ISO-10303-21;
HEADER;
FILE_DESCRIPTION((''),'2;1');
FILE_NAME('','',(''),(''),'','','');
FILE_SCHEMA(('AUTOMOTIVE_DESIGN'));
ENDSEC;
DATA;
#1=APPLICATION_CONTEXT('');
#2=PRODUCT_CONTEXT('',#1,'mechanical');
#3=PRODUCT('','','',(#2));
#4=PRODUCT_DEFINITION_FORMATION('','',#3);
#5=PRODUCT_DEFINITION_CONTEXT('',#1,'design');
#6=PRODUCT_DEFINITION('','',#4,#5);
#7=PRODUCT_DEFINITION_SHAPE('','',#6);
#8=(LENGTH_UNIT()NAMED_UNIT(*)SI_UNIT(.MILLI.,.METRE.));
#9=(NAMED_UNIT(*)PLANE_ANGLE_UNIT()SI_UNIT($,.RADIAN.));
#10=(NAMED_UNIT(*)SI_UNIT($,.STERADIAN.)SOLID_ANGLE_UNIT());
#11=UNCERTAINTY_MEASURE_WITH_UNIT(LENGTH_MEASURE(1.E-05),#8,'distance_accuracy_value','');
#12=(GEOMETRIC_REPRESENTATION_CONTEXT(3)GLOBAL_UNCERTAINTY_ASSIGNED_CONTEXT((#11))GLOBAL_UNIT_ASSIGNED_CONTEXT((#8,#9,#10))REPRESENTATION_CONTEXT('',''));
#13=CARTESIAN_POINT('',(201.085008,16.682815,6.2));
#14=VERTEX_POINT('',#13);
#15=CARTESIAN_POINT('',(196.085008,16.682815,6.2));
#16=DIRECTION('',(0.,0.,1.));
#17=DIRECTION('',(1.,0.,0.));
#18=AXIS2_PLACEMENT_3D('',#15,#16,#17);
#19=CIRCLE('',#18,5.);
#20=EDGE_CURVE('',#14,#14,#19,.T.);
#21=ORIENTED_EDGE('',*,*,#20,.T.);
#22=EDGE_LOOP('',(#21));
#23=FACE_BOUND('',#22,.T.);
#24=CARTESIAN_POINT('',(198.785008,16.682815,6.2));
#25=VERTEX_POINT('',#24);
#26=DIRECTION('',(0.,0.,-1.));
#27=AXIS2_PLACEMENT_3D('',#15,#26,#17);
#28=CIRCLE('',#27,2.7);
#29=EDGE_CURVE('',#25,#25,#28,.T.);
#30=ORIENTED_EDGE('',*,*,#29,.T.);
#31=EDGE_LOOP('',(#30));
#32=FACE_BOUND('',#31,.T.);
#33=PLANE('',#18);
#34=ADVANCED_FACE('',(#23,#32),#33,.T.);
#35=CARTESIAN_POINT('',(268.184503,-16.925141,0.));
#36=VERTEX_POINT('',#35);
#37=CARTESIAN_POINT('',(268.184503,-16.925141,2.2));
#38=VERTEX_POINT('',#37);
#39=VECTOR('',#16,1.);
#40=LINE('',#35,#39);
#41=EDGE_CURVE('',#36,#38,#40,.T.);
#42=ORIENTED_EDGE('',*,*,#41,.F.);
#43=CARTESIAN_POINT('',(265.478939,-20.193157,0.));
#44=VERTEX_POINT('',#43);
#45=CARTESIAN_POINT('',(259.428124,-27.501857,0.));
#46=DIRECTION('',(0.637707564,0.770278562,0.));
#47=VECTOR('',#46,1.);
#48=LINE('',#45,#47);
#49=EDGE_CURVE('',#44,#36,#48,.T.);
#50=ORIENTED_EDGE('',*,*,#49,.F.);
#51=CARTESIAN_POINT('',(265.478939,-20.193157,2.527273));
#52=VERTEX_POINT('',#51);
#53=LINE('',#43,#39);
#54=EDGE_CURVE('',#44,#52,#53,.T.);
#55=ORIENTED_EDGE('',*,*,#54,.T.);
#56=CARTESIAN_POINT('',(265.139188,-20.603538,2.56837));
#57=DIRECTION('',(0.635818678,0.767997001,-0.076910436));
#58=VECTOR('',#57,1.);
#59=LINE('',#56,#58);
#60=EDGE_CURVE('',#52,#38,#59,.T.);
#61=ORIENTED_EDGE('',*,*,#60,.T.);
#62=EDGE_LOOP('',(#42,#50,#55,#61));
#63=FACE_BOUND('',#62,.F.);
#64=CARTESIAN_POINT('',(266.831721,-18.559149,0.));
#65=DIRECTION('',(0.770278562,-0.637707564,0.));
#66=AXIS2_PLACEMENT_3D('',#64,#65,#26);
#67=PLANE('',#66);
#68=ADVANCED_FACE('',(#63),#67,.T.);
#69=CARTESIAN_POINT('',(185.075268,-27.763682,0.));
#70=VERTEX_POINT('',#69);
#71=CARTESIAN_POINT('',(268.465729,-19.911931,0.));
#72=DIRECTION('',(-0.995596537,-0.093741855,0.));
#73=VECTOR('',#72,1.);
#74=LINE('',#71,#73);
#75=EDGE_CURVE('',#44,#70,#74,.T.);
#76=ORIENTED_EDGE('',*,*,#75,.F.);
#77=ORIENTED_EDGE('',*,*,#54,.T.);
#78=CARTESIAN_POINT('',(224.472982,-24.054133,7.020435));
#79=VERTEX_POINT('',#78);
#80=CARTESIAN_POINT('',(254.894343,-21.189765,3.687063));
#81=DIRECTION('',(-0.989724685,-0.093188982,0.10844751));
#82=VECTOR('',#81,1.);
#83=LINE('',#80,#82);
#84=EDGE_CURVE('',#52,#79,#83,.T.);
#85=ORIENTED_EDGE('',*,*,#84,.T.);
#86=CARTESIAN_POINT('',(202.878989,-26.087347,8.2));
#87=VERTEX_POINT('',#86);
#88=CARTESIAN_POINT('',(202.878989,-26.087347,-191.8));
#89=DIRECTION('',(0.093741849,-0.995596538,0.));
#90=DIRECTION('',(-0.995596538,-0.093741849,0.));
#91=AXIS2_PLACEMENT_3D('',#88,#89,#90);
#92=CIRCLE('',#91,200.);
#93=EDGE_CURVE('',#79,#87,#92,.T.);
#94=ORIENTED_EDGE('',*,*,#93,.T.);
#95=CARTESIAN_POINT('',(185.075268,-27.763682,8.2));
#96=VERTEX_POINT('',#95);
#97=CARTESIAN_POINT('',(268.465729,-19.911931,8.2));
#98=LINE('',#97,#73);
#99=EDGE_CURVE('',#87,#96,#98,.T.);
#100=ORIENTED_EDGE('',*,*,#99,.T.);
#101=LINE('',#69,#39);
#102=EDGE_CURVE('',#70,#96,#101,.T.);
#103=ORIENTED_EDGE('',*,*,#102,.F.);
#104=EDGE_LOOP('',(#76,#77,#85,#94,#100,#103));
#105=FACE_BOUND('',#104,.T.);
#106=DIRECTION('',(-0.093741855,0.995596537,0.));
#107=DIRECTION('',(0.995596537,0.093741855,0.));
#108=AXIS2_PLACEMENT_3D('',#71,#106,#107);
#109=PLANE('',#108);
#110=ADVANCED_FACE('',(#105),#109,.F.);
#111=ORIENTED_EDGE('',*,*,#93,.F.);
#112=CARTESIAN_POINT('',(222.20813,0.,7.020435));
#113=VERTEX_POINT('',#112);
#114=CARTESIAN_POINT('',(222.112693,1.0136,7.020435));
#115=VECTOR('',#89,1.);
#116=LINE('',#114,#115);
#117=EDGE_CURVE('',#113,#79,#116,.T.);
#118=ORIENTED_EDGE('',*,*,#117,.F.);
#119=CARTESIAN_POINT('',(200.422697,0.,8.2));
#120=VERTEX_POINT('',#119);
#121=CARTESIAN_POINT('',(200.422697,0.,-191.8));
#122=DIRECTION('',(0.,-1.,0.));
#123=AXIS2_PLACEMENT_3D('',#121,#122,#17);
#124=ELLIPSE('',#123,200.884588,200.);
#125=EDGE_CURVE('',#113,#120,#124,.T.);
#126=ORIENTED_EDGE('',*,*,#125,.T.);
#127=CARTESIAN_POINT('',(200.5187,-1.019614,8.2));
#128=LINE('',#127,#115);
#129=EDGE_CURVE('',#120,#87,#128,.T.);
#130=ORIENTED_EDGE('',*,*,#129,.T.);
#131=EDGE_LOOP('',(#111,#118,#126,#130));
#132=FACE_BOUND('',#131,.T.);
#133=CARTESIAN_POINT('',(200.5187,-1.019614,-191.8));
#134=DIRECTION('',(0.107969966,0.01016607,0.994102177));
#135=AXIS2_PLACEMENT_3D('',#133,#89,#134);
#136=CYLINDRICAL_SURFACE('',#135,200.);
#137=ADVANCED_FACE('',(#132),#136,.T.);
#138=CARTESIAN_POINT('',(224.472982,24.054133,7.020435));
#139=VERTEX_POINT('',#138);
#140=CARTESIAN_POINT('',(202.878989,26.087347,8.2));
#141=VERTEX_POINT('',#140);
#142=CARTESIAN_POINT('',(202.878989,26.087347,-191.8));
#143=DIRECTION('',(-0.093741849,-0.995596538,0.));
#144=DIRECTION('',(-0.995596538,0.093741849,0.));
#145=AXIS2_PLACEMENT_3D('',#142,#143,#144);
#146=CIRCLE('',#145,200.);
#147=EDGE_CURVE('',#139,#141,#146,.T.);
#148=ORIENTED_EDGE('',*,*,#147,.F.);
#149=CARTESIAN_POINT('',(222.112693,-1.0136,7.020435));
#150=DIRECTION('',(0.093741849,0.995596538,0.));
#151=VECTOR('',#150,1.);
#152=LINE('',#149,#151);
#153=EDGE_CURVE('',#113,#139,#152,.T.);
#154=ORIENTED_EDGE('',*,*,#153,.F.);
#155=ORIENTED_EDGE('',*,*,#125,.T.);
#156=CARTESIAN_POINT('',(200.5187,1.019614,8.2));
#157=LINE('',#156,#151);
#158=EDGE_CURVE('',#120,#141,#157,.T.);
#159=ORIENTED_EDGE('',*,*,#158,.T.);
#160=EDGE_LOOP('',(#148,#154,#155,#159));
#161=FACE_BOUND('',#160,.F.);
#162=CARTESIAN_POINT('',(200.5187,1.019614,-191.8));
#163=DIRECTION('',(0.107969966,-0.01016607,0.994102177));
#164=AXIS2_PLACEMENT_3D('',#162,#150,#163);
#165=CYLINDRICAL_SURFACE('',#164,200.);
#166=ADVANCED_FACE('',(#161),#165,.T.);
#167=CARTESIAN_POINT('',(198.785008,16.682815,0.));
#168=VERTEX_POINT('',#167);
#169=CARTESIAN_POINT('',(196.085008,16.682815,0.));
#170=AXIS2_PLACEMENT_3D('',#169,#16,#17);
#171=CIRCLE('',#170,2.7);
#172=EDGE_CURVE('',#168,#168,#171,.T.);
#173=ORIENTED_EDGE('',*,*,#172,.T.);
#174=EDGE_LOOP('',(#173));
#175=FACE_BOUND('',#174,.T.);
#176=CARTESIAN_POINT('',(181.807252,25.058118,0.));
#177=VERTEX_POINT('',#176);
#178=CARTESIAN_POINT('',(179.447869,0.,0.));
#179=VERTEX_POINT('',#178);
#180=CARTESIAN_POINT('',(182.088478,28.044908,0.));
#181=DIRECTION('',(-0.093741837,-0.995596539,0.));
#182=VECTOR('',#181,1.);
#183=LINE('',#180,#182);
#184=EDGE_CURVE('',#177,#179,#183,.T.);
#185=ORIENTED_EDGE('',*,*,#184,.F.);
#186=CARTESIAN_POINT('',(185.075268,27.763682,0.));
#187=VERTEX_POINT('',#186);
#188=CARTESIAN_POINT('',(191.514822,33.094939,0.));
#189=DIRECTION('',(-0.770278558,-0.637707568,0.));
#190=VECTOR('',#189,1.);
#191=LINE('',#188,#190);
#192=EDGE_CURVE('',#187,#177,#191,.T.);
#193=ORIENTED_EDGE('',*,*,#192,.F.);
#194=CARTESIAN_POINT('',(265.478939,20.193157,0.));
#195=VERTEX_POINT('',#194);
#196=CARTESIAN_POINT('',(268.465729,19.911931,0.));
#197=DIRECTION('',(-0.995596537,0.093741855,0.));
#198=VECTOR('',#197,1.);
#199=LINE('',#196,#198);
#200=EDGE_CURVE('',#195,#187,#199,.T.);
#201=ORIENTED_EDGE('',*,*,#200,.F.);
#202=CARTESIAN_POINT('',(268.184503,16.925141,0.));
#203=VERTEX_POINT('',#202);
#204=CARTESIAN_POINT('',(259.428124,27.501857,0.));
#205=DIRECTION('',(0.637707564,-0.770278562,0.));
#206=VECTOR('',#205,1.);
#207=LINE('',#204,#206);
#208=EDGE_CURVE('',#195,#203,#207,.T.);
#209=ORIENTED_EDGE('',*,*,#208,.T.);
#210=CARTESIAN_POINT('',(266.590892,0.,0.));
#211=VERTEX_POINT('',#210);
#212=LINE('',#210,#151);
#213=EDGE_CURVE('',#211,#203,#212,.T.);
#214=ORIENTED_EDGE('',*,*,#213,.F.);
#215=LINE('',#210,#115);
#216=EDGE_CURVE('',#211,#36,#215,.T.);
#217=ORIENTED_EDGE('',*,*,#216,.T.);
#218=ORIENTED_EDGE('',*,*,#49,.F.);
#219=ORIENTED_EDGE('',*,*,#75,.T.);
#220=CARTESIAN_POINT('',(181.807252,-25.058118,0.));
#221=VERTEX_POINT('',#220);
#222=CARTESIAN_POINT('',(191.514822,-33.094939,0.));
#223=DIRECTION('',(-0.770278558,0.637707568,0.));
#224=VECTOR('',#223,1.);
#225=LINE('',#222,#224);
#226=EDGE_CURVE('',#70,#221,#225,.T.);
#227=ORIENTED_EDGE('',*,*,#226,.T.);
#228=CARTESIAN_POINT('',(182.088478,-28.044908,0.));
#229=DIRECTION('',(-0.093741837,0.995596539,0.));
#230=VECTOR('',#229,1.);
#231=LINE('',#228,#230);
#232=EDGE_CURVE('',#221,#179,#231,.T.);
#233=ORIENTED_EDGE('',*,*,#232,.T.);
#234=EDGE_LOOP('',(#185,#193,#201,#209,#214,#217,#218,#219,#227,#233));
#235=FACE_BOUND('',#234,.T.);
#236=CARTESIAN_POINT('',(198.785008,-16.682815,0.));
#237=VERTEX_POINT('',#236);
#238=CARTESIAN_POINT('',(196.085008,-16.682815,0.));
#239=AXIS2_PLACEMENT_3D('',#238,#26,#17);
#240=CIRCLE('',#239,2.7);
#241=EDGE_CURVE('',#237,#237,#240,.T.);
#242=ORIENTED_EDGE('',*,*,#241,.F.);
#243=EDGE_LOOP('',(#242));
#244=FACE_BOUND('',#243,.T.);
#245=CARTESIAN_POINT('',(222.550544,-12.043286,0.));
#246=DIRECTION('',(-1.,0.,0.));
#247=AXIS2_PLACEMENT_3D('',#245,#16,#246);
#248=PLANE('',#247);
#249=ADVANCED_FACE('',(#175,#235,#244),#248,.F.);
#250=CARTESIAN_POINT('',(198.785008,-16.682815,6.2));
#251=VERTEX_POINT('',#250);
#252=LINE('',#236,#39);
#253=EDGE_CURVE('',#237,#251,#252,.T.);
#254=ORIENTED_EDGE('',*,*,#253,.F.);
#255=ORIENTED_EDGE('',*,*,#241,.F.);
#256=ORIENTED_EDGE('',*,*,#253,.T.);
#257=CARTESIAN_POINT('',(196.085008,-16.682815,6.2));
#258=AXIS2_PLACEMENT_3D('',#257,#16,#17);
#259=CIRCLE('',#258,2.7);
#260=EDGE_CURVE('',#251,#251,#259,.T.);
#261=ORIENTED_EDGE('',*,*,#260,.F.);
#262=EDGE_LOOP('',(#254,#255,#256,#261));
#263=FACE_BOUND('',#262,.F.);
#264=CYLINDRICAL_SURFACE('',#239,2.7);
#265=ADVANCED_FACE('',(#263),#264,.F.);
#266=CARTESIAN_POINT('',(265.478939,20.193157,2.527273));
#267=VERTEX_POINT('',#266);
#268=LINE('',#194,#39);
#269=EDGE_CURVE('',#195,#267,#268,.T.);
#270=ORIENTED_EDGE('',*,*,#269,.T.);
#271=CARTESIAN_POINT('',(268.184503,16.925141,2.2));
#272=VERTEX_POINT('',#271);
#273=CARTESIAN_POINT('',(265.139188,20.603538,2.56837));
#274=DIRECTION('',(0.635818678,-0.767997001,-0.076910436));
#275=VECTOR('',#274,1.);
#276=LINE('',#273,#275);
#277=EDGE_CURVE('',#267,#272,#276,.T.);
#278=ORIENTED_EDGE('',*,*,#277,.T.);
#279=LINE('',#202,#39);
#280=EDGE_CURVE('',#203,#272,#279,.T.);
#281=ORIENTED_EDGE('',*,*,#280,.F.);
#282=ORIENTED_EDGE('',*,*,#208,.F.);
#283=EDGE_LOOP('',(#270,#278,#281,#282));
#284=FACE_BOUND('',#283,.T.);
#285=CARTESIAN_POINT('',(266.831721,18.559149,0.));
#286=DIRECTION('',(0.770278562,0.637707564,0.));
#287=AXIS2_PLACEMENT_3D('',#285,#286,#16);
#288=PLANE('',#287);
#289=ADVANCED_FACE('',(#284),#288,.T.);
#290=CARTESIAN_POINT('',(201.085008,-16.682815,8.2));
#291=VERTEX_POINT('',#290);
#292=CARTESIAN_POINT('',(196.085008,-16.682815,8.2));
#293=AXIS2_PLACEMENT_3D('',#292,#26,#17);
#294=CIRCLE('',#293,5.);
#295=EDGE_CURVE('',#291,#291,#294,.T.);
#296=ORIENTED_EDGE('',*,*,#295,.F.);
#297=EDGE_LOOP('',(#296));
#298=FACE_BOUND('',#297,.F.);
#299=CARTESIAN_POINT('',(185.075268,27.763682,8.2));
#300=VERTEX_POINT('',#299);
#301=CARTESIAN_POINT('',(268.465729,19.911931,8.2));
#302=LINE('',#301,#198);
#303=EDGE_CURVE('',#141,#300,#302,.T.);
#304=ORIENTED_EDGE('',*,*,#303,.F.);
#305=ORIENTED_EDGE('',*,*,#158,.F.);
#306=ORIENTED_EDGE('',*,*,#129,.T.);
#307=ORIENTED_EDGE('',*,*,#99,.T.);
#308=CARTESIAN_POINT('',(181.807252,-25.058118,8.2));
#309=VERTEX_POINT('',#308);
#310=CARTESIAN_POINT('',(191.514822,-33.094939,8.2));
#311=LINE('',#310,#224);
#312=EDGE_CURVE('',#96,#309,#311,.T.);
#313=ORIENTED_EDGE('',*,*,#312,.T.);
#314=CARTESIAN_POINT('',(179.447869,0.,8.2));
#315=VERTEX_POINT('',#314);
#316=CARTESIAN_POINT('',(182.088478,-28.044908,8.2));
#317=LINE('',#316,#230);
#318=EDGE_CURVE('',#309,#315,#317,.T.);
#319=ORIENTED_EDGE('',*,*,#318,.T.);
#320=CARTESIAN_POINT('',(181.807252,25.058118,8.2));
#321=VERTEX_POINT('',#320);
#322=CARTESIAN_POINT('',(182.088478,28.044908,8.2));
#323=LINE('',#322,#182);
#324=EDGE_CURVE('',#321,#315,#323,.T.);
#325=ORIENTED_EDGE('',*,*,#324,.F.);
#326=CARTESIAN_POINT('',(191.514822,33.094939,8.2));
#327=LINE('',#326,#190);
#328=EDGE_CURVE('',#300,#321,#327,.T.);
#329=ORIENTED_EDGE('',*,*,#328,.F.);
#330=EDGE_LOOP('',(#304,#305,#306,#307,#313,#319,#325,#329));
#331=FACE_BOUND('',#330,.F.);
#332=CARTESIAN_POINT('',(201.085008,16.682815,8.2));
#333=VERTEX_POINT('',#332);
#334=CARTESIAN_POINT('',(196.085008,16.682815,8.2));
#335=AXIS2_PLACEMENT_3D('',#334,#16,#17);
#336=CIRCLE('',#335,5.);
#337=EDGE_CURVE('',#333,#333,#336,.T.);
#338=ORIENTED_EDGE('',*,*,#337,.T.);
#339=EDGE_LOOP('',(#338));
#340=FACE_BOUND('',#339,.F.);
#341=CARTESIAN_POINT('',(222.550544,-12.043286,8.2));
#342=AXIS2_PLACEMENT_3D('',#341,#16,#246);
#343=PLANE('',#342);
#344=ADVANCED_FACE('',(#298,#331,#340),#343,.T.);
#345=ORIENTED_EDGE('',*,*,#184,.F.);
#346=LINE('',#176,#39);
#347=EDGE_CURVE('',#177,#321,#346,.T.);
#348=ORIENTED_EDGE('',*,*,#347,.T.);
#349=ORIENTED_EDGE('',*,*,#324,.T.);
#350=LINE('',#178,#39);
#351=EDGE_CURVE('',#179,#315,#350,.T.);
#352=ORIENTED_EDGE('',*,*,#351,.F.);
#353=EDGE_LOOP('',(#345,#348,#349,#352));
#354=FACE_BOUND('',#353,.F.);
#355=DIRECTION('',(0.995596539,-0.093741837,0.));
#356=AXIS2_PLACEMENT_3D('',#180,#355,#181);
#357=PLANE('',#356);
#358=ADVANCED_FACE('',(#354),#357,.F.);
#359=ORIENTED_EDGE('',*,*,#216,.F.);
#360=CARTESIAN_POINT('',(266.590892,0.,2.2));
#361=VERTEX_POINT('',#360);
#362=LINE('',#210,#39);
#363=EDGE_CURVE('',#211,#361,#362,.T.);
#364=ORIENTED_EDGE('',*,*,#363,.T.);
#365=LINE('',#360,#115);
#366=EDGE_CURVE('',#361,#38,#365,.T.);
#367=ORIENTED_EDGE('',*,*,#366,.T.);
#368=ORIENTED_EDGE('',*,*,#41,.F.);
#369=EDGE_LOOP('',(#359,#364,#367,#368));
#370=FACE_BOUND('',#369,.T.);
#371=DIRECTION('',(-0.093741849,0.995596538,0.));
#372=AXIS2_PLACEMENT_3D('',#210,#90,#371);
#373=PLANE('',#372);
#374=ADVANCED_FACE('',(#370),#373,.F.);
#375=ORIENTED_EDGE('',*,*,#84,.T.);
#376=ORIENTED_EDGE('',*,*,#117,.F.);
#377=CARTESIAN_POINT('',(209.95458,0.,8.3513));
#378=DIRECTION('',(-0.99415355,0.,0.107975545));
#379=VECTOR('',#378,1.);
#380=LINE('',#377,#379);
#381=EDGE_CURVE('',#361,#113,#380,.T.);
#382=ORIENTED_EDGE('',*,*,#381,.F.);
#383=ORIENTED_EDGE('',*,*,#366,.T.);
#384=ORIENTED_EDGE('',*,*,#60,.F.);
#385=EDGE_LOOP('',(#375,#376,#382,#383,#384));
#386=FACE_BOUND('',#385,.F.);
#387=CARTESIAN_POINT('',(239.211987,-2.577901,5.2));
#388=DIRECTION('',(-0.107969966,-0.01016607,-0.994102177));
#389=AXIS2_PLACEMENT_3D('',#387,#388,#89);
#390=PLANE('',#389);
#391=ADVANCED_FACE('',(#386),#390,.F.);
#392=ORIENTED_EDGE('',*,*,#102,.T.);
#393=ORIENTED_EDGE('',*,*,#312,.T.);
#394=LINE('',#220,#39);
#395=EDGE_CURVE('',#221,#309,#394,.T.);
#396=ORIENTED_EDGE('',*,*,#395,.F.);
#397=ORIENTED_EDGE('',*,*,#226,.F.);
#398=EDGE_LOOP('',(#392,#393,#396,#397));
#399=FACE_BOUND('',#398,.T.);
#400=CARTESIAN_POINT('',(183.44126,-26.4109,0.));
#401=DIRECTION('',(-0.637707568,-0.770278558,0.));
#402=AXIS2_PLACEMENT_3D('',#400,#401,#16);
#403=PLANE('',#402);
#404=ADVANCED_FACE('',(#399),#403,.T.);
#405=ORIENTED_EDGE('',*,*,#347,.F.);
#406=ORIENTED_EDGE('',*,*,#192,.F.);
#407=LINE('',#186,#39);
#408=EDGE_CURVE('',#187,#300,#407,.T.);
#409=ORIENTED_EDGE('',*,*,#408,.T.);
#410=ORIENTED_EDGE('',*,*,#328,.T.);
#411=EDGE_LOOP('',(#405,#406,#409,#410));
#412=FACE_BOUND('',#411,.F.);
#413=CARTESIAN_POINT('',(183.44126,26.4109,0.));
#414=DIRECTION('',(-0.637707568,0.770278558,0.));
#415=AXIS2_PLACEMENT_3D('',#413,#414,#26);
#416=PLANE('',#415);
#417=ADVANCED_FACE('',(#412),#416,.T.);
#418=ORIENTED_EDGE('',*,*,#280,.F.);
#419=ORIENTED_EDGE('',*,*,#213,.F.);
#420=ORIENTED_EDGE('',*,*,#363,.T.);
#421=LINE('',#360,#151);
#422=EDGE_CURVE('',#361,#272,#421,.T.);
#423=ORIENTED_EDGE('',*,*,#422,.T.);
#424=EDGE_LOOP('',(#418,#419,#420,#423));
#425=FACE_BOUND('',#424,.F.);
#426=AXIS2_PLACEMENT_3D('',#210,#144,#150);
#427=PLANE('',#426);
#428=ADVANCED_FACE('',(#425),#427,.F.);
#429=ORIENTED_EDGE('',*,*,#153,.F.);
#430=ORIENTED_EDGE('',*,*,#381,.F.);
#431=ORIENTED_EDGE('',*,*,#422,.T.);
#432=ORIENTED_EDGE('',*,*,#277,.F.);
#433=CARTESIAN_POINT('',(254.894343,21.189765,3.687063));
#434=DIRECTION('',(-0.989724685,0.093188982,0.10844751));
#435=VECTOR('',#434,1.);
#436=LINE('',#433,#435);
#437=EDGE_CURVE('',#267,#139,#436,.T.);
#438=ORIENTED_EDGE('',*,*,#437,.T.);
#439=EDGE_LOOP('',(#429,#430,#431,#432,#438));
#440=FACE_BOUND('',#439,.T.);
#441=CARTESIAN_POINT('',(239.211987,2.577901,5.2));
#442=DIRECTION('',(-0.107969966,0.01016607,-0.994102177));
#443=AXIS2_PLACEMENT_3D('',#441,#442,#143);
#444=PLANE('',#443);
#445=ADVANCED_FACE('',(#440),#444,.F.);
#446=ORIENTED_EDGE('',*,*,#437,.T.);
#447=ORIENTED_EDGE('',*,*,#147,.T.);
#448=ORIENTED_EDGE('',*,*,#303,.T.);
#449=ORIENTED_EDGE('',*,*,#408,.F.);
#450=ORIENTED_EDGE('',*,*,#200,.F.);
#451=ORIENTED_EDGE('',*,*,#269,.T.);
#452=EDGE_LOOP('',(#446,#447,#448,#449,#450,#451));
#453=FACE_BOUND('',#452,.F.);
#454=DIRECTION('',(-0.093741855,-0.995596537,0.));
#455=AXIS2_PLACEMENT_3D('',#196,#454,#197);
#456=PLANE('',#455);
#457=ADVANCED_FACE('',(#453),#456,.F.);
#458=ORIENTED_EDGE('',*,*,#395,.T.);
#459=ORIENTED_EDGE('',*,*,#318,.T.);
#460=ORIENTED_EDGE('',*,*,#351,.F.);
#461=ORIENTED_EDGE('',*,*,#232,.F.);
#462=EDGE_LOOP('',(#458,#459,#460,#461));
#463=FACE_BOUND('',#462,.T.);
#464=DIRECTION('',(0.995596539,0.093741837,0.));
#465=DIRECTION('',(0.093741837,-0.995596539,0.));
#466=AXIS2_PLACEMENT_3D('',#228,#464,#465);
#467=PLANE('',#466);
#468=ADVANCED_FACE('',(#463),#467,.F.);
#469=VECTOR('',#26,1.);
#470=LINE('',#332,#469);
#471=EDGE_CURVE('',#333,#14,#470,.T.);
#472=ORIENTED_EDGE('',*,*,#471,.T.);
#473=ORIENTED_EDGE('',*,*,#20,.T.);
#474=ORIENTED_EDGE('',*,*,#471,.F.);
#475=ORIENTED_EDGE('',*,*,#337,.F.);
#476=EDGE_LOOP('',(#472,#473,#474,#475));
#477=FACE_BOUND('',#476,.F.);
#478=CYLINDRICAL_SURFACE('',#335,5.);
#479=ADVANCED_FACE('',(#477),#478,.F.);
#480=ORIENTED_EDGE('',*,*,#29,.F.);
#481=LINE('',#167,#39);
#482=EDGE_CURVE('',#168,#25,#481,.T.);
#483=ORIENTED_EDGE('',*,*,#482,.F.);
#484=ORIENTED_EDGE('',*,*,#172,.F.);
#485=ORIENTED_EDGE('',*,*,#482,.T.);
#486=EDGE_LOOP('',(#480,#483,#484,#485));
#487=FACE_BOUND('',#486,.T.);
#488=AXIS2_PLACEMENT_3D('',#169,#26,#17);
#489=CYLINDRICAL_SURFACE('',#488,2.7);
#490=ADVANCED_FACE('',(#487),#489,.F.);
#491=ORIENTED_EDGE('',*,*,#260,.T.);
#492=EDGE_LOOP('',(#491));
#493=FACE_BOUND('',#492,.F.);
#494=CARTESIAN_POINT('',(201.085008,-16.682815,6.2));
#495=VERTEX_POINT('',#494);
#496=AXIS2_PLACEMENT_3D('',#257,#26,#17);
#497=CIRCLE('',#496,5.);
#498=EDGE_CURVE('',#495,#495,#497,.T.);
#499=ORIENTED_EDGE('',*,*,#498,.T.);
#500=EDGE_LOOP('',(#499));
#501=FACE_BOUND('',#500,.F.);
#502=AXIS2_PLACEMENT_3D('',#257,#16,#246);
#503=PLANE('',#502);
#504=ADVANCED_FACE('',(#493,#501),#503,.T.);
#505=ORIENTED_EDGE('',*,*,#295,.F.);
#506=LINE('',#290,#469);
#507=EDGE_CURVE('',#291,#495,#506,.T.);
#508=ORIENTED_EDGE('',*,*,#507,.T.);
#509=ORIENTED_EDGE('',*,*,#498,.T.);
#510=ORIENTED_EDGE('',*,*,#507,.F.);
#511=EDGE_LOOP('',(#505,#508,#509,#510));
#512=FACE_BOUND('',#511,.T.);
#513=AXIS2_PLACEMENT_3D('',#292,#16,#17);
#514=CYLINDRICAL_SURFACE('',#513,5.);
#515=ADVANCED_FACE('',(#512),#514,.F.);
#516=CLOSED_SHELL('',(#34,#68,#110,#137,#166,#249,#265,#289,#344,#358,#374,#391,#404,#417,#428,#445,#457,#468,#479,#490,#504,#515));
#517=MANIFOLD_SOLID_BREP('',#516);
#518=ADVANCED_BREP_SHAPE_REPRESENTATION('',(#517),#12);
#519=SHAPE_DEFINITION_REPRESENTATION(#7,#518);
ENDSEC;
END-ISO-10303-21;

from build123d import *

# Parameters (mm, degrees)
SKETCH004_R      = 2.7
PAD003_DEPTH     = 8.2
SKETCH005_R      = 5
POCKET001_DEPTH  = 2
CHAMFER002_SIZE  = 3
CHAMFER003_SIZE2 = 55
CHAMFER003_SIZE  = 6
FILLET_R         = 200
CHAMFER004_SIZE  = 3


with BuildPart() as part:
    # Sketch004 (on XY_Plane003 of Origin006) → Pad003 (new body)
    with BuildSketch(Plane.XY):
        Polygon((268.465729, 19.911931), (182.088478, 28.044908), (179.447869, 0), (266.590892, 0), align=None)
        with Locations((196.085008, 16.682815)):
            Circle(SKETCH004_R, mode=Mode.SUBTRACT)
    extrude(amount=PAD003_DEPTH)

    # Sketch005 (on Face7 of Pad003) → Pocket001 (cut)
    with BuildSketch(Plane.XY.offset(8.2)):
        with Locations((196.085008, 16.682815)):
            Circle(SKETCH005_R)
    extrude(amount=-POCKET001_DEPTH, mode=Mode.SUBTRACT)

    # Chamfer002
    chamfer002_edges = [part.edges().sort_by_distance(p)[0] for p in [
        (182.088478, 28.044908, 4.1),
    ]]
    chamfer(chamfer002_edges, length=CHAMFER002_SIZE)

    # Chamfer003
    chamfer003_edges = [part.edges().sort_by_distance(p)[0] for p in [
        (267.52831, 9.955965, 8.2),
    ]]
    chamfer003_side = part.faces().sort_by_distance((267.52831, 9.955965, 4.1))[0]
    chamfer(chamfer003_edges, length=CHAMFER003_SIZE, length2=CHAMFER003_SIZE2, reference=chamfer003_side)

    # Fillet
    fillet_edges = [part.edges().sort_by_distance(p)[0] for p in [
        (212.527775, 12.533867, 8.2),
    ]]
    fillet(fillet_edges, radius=FILLET_R)

    # Chamfer004
    chamfer004_edges = [part.edges().sort_by_distance(p)[0] for p in [
        (268.465729, 19.911931, 1.1),
    ]]
    chamfer(chamfer004_edges, length=CHAMFER004_SIZE)

    # Mirrored001: part across face of Chamfer004


with BuildPart() as part_1:
    add(part.part)
    add(part.part.mirror(Plane(origin=(215.438972, 0, 3.448187), x_dir=(1, 0, 0), z_dir=(0, -1, 0))))


solid = part_1.part
